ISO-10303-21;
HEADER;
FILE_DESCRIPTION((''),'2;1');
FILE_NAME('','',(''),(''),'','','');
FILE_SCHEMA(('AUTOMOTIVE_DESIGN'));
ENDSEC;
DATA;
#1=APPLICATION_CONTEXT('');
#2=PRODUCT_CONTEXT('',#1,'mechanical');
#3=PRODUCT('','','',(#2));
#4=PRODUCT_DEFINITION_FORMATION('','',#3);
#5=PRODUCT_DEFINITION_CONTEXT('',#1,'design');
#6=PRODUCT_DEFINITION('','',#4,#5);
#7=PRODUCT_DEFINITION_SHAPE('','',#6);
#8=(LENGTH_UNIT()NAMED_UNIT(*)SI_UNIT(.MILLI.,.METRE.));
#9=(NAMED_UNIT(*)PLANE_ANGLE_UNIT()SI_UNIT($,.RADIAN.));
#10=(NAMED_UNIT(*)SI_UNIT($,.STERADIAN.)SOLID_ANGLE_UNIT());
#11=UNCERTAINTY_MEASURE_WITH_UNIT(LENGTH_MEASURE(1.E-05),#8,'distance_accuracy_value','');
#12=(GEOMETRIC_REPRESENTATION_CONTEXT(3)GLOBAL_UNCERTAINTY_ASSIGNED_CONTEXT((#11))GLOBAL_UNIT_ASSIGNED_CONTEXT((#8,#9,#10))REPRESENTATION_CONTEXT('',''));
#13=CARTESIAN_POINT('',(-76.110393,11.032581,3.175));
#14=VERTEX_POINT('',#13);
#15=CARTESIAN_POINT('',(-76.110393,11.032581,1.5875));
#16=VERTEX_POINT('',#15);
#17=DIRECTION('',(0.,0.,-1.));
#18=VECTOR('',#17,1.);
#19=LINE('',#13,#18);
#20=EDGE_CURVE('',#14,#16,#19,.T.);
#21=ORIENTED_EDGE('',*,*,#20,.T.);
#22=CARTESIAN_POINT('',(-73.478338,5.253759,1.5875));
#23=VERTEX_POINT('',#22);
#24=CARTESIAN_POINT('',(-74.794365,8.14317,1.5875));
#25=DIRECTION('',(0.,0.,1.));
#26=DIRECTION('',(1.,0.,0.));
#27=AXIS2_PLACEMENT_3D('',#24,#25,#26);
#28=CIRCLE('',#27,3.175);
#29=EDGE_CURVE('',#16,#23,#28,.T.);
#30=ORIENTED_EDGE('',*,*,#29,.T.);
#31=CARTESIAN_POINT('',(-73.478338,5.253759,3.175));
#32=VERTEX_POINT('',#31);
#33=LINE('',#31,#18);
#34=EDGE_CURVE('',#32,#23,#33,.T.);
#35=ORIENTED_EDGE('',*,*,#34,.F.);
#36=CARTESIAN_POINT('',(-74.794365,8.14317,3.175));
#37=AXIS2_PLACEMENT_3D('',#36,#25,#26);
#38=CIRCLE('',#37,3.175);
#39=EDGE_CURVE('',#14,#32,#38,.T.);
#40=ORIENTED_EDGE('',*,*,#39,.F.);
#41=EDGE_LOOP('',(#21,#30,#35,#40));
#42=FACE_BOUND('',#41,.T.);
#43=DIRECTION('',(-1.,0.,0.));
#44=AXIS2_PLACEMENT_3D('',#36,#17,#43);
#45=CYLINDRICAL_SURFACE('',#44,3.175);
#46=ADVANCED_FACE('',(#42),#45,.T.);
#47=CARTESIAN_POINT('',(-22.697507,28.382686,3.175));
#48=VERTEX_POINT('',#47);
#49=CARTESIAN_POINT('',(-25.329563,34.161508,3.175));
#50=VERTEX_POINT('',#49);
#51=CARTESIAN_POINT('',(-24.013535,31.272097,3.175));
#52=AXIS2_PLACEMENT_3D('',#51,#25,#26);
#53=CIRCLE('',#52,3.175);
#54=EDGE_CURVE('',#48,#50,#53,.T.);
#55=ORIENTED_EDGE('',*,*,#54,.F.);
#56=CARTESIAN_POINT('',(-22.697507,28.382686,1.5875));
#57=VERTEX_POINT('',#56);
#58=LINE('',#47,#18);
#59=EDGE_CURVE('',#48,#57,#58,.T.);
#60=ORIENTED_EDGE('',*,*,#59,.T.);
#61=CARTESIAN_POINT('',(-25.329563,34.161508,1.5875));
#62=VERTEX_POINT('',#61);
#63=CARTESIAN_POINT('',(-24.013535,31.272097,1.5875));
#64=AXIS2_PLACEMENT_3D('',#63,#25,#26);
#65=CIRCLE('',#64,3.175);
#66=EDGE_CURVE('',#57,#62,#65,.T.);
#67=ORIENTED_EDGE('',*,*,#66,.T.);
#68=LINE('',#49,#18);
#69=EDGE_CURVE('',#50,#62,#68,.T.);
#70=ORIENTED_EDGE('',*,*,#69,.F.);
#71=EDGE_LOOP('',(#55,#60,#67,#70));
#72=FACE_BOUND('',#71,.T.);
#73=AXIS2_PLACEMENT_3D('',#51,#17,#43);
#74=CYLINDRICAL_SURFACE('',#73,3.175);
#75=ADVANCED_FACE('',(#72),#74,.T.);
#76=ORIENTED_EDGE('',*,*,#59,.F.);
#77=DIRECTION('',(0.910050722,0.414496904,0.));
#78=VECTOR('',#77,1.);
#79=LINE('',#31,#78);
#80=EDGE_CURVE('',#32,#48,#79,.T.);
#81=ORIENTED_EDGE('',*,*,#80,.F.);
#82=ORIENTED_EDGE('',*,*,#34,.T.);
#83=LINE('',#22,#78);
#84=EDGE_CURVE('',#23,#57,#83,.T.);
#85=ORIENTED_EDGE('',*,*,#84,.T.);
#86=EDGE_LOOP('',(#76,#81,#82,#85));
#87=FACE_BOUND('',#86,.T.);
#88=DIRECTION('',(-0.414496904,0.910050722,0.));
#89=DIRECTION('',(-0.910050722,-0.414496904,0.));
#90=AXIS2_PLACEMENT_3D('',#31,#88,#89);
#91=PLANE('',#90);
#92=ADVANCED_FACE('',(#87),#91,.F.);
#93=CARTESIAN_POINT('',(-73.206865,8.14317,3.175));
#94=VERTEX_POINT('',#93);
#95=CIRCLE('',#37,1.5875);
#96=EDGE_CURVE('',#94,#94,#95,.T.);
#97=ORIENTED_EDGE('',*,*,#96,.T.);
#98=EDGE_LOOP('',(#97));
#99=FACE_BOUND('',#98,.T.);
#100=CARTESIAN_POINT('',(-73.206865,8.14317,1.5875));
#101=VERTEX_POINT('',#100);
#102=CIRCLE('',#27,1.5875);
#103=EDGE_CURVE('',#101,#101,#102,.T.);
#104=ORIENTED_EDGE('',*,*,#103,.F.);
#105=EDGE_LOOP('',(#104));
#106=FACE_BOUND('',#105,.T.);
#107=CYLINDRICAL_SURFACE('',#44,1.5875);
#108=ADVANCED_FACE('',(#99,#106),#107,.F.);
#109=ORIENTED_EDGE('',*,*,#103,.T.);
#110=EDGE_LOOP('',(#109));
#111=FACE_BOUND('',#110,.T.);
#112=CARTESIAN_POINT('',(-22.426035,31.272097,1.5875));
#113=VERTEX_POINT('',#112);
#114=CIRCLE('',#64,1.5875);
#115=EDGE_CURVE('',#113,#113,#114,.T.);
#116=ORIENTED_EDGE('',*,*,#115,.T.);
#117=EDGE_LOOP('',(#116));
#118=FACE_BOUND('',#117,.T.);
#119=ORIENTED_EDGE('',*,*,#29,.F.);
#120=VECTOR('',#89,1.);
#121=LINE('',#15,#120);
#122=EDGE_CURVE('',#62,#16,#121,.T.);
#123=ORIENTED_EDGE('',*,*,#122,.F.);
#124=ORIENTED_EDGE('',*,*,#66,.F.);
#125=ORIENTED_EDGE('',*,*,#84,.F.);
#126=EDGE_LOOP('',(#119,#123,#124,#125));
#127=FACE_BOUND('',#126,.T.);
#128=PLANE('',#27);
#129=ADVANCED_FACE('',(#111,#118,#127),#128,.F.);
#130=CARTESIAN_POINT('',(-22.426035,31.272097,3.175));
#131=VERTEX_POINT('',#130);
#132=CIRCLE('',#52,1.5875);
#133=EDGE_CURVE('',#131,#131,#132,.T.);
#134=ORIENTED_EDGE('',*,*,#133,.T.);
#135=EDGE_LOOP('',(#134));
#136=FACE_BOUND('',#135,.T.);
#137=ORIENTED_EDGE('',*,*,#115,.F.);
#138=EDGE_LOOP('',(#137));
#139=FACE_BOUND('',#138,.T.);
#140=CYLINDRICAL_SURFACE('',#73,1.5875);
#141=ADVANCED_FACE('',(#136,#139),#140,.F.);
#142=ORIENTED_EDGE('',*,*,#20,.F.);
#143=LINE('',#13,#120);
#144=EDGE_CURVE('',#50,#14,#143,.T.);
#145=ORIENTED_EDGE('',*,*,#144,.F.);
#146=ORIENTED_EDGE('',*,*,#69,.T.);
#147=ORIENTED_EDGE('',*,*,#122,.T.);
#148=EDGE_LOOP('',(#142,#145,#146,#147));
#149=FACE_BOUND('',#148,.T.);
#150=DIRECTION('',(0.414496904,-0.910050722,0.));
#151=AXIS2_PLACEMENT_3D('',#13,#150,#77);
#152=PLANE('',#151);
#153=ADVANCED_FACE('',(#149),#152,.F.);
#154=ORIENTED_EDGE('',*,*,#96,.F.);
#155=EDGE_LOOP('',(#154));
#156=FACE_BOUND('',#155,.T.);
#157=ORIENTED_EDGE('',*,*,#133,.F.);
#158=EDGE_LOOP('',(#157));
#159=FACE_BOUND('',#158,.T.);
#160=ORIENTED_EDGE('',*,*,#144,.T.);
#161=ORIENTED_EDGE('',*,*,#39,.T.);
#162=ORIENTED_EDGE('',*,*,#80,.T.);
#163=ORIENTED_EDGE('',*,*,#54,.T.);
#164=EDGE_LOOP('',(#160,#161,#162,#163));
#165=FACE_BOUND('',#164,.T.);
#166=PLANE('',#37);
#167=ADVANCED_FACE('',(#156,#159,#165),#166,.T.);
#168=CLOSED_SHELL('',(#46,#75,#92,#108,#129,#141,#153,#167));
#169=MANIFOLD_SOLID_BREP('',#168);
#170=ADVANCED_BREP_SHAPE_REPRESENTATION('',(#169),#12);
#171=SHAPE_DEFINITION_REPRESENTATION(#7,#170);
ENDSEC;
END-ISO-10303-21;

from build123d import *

# Parameters (mm, degrees)
BOSS_EXTRUDE1_START = 1.5875
SKETCH1_R           = 1.5875
BOSS_EXTRUDE1_DEPTH = 1.5875


with BuildPart() as part:
    # Sketch1 → Boss-Extrude1 (new body)
    with BuildSketch(Plane.XY.offset(BOSS_EXTRUDE1_START)):
        with BuildLine():
            Line((-76.110393051, 11.032581248), (-25.329562768, 34.161508497))
            ThreePointArc((-25.329562768, 34.161508497), (-21.124124055, 32.588125125), (-22.697507427, 28.382686413))
            Line((-22.697507427, 28.382686413), (-73.47833771, 5.253759164))
            ThreePointArc((-73.47833771, 5.253759164), (-77.683776423, 6.827142535), (-76.110393051, 11.032581248))
        make_face()
        with Locations((-24.013535097, 31.272097455)):
            Circle(SKETCH1_R, mode=Mode.SUBTRACT)
        with Locations((-74.794365381, 8.143170206)):
            Circle(SKETCH1_R, mode=Mode.SUBTRACT)
    extrude(amount=BOSS_EXTRUDE1_DEPTH)


solid = part.part
